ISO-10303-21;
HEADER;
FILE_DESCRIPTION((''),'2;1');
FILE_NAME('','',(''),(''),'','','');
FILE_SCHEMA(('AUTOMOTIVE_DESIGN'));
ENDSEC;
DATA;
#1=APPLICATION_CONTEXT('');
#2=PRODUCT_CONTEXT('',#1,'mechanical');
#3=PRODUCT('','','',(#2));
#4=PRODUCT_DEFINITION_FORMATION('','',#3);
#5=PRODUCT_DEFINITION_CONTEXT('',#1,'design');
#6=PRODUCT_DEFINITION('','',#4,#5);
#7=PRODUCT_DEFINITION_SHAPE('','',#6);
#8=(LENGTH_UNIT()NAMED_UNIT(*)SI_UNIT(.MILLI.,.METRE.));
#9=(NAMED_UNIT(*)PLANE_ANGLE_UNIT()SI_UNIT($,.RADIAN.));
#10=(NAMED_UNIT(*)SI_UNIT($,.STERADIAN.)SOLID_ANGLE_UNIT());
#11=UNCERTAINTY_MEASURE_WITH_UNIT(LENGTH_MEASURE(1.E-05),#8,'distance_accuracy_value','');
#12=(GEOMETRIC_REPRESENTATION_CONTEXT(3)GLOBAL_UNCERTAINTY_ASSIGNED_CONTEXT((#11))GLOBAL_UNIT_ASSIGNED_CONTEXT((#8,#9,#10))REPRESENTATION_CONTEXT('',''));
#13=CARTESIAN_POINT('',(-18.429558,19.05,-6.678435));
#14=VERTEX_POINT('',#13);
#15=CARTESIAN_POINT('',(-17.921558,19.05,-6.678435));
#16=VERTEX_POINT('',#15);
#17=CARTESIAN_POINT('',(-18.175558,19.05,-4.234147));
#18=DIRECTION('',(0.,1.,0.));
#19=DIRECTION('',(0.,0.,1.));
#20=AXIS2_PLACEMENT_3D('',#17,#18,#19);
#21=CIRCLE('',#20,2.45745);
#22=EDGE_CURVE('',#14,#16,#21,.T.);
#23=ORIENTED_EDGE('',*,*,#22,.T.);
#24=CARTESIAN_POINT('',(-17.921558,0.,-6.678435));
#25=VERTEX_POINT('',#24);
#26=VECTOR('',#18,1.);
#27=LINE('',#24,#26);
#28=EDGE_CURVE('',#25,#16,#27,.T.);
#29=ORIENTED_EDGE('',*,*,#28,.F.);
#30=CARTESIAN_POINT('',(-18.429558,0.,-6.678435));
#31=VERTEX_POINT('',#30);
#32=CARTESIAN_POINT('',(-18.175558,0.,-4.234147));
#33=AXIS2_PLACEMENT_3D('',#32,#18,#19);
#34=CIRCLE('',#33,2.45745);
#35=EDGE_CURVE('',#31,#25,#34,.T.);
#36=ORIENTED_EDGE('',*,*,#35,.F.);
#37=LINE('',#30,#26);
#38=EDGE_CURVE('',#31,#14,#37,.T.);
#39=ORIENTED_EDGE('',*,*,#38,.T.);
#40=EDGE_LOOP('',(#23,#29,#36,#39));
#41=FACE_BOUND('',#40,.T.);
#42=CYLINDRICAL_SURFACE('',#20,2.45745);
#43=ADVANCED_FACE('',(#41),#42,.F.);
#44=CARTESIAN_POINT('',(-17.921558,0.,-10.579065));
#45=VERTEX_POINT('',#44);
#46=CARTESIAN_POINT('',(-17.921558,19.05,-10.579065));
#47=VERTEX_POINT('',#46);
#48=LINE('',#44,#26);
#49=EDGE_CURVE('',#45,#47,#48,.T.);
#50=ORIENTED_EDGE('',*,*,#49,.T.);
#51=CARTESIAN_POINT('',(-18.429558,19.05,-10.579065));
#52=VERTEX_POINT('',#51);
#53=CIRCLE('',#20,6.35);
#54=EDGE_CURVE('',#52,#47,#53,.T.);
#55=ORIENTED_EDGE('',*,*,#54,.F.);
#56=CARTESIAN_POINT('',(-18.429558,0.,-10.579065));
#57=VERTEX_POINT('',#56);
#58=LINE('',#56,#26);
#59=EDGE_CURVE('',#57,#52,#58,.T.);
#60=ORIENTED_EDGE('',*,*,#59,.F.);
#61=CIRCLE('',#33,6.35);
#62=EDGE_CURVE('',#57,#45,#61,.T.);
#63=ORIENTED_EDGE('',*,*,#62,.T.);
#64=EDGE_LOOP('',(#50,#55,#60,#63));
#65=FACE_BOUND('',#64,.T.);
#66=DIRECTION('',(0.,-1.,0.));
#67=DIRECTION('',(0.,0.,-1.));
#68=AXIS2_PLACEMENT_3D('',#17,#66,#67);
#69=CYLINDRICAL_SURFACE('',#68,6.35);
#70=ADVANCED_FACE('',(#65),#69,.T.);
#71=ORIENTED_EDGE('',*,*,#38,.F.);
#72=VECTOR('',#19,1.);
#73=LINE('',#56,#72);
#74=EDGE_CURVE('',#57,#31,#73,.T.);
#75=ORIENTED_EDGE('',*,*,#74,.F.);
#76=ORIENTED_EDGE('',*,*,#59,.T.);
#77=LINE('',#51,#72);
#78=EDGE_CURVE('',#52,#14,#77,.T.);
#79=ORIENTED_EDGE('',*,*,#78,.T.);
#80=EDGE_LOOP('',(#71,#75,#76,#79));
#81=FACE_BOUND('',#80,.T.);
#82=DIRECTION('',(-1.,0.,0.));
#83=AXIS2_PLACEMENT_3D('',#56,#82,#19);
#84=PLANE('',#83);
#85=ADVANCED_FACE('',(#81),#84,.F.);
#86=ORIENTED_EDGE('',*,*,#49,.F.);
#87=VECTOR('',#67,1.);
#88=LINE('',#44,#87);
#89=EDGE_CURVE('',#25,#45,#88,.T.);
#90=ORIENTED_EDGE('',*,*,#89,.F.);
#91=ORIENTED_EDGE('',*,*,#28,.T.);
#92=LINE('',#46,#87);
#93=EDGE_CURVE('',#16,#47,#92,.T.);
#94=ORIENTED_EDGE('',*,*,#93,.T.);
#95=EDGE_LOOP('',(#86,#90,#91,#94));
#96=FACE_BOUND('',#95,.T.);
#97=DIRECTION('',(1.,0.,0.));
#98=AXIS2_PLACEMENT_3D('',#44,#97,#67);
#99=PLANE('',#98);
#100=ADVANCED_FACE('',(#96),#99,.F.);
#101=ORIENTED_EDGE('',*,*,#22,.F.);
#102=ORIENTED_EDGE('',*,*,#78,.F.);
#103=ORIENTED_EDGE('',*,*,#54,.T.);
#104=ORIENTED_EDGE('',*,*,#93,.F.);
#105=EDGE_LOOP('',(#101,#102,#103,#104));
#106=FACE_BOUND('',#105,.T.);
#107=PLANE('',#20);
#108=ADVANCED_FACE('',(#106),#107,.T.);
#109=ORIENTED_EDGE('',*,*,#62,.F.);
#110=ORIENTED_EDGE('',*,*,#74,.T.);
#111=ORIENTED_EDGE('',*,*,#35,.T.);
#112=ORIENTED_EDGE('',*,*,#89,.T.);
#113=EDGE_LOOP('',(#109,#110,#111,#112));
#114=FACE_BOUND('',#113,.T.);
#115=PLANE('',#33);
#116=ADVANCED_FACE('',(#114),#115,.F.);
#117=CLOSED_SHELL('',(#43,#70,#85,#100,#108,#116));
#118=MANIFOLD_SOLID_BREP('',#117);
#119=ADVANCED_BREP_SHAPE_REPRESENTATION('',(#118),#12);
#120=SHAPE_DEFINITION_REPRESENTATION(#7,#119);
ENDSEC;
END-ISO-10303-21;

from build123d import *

# Parameters (mm, degrees)
SKETCH1_R                    = 6.35
BOSS_EXTRUDE1_DEPTH          = 19.05
F_10_0_1935_DIAMETER_HOLE2_D = 4.9149
CUT_EXTRUDE1_DEPTH           = 33.808987893


with BuildPart() as part:
    # Sketch1 → Boss-Extrude1 (new body)
    with BuildSketch(Plane(origin=(0, 0, 0), x_dir=(1, 0, 0), z_dir=(0, 1, 0))):
        with Locations(Location((-18.175558327, 4.234147358, 0), (0, 0, 90))):
            Circle(SKETCH1_R)
    extrude(amount=BOSS_EXTRUDE1_DEPTH)

    # #10 (0.1935) Diameter Hole2 (through all)
    with Locations(Plane(origin=(0, 19.05, 0), x_dir=(1, 0, 0), z_dir=(0, 1, 0))):
        with Locations((-18.175558327, 4.234147358)):
            Hole(F_10_0_1935_DIAMETER_HOLE2_D / 2)

    # Sketch6 → Cut-Extrude1 (cut, through all)
    with BuildSketch(Plane(origin=(0, 19.05, 0), x_dir=(1, 0, 0), z_dir=(0, 1, 0))):
        with BuildLine():
            Line((-18.429558327, 10.579065324), (-18.429558327, 6.678435496))
            ThreePointArc((-18.429558327, 6.678435496), (-18.175558327, 6.691597358), (-17.921558327, 6.678435496))
            Line((-17.921558327, 6.678435496), (-17.921558327, 10.579065324))
            ThreePointArc((-17.921558327, 10.579065324), (-18.175558327, 10.584147358), (-18.429558327, 10.579065324))
        make_face()
    extrude(amount=-CUT_EXTRUDE1_DEPTH, mode=Mode.SUBTRACT)


solid = part.part
